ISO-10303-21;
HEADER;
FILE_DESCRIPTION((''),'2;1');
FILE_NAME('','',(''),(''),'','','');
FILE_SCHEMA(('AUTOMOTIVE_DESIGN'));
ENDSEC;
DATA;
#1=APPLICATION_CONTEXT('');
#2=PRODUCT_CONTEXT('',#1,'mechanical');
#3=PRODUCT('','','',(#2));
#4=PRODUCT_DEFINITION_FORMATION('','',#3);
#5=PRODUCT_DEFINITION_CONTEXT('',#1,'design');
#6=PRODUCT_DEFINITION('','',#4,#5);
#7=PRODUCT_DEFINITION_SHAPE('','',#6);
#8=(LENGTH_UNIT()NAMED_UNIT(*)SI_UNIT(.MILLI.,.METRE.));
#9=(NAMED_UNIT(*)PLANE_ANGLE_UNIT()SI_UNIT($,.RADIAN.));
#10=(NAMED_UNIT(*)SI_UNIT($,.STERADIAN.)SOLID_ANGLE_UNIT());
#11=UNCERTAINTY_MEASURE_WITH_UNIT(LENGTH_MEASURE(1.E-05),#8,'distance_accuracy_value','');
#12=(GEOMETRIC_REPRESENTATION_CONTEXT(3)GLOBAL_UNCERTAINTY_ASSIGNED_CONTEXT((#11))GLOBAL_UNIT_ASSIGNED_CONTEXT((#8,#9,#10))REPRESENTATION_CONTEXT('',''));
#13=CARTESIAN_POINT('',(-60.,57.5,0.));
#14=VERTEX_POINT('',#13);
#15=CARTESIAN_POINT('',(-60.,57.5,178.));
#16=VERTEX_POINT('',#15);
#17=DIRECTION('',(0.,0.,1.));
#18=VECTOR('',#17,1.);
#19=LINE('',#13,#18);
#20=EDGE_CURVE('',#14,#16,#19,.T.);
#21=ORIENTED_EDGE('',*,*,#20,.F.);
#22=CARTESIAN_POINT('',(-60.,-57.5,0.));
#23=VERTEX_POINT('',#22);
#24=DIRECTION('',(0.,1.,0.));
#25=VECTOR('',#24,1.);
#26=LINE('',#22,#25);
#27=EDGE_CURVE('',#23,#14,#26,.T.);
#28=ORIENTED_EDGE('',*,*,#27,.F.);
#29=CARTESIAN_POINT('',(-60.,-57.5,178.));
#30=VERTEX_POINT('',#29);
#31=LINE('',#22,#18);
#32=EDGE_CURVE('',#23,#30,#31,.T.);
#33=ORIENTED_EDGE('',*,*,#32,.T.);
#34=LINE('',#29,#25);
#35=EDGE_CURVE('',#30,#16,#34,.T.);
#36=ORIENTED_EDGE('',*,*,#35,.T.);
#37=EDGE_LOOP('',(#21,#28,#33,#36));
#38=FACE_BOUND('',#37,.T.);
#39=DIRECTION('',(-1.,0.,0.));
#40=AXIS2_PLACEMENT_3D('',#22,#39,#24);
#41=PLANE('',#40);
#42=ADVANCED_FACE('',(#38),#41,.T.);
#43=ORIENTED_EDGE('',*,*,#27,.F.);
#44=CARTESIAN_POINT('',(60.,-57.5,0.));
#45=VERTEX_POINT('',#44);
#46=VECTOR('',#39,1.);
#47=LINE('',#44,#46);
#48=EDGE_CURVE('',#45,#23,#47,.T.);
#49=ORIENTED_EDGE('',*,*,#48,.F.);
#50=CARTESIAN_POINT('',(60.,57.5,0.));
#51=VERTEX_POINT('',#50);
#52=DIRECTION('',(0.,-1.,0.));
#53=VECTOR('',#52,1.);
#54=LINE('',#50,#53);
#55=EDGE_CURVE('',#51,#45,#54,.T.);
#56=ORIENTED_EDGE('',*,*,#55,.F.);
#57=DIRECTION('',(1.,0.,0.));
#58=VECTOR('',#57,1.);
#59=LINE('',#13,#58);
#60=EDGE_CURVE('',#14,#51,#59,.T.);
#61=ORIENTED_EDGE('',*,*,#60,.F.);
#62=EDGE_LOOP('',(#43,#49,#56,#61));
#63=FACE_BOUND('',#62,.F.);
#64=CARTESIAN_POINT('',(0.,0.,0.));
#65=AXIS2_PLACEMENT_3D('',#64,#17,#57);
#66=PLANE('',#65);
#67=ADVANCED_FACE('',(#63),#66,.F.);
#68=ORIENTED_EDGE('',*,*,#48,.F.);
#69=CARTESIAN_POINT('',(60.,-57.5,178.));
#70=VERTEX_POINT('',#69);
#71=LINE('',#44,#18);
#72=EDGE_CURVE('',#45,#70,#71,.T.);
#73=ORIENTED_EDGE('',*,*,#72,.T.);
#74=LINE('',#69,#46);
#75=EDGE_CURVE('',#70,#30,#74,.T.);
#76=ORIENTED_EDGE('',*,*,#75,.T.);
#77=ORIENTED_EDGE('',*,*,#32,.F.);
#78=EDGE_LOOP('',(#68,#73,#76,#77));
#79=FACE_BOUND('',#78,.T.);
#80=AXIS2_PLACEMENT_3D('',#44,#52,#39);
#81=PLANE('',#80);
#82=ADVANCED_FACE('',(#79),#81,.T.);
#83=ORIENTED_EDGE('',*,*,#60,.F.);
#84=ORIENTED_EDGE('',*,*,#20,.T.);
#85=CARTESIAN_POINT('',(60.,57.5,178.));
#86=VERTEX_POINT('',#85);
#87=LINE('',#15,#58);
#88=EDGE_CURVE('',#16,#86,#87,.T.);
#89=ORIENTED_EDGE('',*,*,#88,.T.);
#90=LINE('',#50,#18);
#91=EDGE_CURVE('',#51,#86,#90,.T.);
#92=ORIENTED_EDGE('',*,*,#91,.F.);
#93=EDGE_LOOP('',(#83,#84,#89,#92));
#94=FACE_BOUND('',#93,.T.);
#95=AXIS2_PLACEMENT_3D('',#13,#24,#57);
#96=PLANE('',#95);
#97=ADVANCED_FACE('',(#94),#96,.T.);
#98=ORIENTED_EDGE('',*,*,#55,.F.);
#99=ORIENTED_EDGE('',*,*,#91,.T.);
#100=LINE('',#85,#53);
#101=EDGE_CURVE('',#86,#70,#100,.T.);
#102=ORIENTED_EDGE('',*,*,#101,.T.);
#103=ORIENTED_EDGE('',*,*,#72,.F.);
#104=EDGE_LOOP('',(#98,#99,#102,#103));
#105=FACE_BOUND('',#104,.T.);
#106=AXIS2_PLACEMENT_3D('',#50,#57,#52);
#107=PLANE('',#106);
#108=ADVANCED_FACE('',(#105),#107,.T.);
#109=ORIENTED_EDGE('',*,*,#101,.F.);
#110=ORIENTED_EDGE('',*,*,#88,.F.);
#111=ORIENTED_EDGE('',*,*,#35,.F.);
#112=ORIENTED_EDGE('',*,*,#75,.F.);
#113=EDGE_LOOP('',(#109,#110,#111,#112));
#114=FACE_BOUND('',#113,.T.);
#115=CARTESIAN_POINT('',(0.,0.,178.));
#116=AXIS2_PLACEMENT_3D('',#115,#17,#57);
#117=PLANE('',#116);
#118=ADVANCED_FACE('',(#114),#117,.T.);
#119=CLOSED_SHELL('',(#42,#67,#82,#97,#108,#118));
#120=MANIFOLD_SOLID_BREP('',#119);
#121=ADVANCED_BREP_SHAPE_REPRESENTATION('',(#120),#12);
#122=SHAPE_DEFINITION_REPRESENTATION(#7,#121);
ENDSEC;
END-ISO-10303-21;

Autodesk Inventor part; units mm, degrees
ref_plane "YZ Plane" through (0, 0, 0) normal (1, 0, 0) x (0, 1, 0)
ref_plane "XZ Plane" through (0, 0, 0) normal (0, 1, 0) x (-1, 0, 0)
ref_plane "XY Plane" through (0, 0, 0) normal (0, 0, 1) x (1, 0, 0)
sketch "Sketch7" plane through (0, 0, 0) normal (0, 0, 1) x (1, 0, 0)
  line L0 (60, -57.5) -> (-60, -57.5)
  line L1 (-60, -57.5) -> (-60, 57.5)
  line L2 (-60, 57.5) -> (60, 57.5)
  line L3 (60, 57.5) -> (60, -57.5)
  point P0 (0, 0)
  point P1 (0, -57.5)
  point P2 (-60, 0)
  dimension "d16" = 120
  dimension "d17" = 115
extrude "Extrusion7" add sketch "Sketch7" along normal blind 178
properties part number "BLANK-BC-10005" material "Aço Liga"
